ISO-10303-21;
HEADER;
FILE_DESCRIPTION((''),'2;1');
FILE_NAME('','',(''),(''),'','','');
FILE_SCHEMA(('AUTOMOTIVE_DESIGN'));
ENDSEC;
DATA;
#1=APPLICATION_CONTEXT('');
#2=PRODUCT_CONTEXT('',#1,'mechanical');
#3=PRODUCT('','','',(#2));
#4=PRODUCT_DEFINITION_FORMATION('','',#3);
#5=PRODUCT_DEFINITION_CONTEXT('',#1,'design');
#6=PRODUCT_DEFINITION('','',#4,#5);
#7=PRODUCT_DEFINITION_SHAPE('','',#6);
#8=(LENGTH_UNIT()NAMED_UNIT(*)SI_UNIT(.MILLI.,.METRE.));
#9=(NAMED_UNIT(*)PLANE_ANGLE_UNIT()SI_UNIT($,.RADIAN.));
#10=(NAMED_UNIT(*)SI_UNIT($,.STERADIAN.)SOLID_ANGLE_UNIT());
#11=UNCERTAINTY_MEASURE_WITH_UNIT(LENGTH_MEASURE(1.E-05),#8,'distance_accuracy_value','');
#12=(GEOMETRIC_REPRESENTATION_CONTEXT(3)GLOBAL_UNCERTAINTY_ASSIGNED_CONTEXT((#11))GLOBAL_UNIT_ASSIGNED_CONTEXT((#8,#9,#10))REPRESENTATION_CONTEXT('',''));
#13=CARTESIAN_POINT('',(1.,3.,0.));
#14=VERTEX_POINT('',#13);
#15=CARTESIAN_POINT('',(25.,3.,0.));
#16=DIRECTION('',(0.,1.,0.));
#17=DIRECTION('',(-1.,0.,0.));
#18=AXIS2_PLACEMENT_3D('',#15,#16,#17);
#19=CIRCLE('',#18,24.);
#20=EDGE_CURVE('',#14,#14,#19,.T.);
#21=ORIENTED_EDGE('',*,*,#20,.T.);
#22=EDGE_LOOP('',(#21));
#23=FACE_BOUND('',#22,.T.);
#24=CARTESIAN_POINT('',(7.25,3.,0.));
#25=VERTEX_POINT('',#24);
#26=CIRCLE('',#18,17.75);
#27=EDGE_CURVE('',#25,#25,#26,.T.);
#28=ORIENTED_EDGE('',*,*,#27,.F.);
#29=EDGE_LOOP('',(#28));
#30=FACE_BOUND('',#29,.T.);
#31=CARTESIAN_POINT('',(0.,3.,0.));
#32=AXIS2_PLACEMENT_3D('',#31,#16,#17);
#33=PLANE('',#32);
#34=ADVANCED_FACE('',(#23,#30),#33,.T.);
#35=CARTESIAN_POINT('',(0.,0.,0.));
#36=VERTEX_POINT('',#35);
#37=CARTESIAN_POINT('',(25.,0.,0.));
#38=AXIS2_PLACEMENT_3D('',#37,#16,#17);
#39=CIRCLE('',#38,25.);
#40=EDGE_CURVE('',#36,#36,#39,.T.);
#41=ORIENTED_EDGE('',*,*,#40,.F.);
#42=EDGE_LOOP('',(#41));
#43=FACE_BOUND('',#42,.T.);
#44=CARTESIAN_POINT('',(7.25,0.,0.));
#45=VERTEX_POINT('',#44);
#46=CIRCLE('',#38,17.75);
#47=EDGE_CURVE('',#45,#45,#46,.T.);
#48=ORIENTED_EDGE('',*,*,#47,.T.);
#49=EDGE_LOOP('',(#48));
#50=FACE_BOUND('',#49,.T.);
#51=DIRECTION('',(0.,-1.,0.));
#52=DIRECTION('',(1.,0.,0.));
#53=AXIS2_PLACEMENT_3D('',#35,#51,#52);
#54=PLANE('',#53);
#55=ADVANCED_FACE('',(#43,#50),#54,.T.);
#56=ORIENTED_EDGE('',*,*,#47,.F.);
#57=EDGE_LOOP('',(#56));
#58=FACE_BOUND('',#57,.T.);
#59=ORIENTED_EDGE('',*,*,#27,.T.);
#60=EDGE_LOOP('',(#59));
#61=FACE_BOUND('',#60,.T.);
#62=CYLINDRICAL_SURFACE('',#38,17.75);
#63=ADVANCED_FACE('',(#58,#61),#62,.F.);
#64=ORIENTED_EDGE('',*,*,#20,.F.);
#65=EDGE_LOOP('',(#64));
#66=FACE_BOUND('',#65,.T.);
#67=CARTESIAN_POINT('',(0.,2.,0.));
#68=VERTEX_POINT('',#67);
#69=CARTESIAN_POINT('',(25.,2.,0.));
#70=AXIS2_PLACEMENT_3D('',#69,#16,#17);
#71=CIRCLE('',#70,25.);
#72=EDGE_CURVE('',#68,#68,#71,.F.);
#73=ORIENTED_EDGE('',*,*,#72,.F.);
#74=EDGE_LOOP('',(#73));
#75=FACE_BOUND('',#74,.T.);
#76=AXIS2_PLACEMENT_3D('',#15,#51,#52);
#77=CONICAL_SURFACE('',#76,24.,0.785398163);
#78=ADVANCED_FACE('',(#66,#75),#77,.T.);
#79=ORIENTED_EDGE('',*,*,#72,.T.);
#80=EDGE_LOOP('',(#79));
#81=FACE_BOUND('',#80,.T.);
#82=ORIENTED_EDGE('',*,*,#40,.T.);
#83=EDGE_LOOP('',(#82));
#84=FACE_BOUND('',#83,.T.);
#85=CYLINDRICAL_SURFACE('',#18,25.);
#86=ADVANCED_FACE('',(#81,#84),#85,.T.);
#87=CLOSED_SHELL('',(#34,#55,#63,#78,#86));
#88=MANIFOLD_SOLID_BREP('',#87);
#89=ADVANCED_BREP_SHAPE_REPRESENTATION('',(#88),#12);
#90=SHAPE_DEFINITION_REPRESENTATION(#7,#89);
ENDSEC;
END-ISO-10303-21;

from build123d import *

# Parameters (mm, degrees)
SKETCH1_W          = 25
SKETCH1_H          = 3
SKETCH2_R          = 17.75
CUT_EXTRUDE1_DEPTH = 3
CHAMFER1_SIZE      = 1


with BuildPart() as part:
    # Sketch1 → Revolve1 (revolve)
    with BuildSketch(Plane.XY):
        with Locations((12.5, 1.5)):
            Rectangle(SKETCH1_W, SKETCH1_H)
    revolve(axis=Axis((25, 3, 0), (0, -1, 0)))

    # Sketch2 → Cut-Extrude1 (cut)
    with BuildSketch(Plane(origin=(0, 3, 0), x_dir=(1, 0, 0), z_dir=(0, 1, 0))):
        with Locations((25, 0)):
            Circle(SKETCH2_R)
    extrude(amount=-CUT_EXTRUDE1_DEPTH, mode=Mode.SUBTRACT)

    # Chamfer1
    chamfer1_edges = [part.edges().sort_by_distance(p)[0] for p in [
        (50, 3, 0),
    ]]
    chamfer(chamfer1_edges, length=CHAMFER1_SIZE)


solid = part.part
